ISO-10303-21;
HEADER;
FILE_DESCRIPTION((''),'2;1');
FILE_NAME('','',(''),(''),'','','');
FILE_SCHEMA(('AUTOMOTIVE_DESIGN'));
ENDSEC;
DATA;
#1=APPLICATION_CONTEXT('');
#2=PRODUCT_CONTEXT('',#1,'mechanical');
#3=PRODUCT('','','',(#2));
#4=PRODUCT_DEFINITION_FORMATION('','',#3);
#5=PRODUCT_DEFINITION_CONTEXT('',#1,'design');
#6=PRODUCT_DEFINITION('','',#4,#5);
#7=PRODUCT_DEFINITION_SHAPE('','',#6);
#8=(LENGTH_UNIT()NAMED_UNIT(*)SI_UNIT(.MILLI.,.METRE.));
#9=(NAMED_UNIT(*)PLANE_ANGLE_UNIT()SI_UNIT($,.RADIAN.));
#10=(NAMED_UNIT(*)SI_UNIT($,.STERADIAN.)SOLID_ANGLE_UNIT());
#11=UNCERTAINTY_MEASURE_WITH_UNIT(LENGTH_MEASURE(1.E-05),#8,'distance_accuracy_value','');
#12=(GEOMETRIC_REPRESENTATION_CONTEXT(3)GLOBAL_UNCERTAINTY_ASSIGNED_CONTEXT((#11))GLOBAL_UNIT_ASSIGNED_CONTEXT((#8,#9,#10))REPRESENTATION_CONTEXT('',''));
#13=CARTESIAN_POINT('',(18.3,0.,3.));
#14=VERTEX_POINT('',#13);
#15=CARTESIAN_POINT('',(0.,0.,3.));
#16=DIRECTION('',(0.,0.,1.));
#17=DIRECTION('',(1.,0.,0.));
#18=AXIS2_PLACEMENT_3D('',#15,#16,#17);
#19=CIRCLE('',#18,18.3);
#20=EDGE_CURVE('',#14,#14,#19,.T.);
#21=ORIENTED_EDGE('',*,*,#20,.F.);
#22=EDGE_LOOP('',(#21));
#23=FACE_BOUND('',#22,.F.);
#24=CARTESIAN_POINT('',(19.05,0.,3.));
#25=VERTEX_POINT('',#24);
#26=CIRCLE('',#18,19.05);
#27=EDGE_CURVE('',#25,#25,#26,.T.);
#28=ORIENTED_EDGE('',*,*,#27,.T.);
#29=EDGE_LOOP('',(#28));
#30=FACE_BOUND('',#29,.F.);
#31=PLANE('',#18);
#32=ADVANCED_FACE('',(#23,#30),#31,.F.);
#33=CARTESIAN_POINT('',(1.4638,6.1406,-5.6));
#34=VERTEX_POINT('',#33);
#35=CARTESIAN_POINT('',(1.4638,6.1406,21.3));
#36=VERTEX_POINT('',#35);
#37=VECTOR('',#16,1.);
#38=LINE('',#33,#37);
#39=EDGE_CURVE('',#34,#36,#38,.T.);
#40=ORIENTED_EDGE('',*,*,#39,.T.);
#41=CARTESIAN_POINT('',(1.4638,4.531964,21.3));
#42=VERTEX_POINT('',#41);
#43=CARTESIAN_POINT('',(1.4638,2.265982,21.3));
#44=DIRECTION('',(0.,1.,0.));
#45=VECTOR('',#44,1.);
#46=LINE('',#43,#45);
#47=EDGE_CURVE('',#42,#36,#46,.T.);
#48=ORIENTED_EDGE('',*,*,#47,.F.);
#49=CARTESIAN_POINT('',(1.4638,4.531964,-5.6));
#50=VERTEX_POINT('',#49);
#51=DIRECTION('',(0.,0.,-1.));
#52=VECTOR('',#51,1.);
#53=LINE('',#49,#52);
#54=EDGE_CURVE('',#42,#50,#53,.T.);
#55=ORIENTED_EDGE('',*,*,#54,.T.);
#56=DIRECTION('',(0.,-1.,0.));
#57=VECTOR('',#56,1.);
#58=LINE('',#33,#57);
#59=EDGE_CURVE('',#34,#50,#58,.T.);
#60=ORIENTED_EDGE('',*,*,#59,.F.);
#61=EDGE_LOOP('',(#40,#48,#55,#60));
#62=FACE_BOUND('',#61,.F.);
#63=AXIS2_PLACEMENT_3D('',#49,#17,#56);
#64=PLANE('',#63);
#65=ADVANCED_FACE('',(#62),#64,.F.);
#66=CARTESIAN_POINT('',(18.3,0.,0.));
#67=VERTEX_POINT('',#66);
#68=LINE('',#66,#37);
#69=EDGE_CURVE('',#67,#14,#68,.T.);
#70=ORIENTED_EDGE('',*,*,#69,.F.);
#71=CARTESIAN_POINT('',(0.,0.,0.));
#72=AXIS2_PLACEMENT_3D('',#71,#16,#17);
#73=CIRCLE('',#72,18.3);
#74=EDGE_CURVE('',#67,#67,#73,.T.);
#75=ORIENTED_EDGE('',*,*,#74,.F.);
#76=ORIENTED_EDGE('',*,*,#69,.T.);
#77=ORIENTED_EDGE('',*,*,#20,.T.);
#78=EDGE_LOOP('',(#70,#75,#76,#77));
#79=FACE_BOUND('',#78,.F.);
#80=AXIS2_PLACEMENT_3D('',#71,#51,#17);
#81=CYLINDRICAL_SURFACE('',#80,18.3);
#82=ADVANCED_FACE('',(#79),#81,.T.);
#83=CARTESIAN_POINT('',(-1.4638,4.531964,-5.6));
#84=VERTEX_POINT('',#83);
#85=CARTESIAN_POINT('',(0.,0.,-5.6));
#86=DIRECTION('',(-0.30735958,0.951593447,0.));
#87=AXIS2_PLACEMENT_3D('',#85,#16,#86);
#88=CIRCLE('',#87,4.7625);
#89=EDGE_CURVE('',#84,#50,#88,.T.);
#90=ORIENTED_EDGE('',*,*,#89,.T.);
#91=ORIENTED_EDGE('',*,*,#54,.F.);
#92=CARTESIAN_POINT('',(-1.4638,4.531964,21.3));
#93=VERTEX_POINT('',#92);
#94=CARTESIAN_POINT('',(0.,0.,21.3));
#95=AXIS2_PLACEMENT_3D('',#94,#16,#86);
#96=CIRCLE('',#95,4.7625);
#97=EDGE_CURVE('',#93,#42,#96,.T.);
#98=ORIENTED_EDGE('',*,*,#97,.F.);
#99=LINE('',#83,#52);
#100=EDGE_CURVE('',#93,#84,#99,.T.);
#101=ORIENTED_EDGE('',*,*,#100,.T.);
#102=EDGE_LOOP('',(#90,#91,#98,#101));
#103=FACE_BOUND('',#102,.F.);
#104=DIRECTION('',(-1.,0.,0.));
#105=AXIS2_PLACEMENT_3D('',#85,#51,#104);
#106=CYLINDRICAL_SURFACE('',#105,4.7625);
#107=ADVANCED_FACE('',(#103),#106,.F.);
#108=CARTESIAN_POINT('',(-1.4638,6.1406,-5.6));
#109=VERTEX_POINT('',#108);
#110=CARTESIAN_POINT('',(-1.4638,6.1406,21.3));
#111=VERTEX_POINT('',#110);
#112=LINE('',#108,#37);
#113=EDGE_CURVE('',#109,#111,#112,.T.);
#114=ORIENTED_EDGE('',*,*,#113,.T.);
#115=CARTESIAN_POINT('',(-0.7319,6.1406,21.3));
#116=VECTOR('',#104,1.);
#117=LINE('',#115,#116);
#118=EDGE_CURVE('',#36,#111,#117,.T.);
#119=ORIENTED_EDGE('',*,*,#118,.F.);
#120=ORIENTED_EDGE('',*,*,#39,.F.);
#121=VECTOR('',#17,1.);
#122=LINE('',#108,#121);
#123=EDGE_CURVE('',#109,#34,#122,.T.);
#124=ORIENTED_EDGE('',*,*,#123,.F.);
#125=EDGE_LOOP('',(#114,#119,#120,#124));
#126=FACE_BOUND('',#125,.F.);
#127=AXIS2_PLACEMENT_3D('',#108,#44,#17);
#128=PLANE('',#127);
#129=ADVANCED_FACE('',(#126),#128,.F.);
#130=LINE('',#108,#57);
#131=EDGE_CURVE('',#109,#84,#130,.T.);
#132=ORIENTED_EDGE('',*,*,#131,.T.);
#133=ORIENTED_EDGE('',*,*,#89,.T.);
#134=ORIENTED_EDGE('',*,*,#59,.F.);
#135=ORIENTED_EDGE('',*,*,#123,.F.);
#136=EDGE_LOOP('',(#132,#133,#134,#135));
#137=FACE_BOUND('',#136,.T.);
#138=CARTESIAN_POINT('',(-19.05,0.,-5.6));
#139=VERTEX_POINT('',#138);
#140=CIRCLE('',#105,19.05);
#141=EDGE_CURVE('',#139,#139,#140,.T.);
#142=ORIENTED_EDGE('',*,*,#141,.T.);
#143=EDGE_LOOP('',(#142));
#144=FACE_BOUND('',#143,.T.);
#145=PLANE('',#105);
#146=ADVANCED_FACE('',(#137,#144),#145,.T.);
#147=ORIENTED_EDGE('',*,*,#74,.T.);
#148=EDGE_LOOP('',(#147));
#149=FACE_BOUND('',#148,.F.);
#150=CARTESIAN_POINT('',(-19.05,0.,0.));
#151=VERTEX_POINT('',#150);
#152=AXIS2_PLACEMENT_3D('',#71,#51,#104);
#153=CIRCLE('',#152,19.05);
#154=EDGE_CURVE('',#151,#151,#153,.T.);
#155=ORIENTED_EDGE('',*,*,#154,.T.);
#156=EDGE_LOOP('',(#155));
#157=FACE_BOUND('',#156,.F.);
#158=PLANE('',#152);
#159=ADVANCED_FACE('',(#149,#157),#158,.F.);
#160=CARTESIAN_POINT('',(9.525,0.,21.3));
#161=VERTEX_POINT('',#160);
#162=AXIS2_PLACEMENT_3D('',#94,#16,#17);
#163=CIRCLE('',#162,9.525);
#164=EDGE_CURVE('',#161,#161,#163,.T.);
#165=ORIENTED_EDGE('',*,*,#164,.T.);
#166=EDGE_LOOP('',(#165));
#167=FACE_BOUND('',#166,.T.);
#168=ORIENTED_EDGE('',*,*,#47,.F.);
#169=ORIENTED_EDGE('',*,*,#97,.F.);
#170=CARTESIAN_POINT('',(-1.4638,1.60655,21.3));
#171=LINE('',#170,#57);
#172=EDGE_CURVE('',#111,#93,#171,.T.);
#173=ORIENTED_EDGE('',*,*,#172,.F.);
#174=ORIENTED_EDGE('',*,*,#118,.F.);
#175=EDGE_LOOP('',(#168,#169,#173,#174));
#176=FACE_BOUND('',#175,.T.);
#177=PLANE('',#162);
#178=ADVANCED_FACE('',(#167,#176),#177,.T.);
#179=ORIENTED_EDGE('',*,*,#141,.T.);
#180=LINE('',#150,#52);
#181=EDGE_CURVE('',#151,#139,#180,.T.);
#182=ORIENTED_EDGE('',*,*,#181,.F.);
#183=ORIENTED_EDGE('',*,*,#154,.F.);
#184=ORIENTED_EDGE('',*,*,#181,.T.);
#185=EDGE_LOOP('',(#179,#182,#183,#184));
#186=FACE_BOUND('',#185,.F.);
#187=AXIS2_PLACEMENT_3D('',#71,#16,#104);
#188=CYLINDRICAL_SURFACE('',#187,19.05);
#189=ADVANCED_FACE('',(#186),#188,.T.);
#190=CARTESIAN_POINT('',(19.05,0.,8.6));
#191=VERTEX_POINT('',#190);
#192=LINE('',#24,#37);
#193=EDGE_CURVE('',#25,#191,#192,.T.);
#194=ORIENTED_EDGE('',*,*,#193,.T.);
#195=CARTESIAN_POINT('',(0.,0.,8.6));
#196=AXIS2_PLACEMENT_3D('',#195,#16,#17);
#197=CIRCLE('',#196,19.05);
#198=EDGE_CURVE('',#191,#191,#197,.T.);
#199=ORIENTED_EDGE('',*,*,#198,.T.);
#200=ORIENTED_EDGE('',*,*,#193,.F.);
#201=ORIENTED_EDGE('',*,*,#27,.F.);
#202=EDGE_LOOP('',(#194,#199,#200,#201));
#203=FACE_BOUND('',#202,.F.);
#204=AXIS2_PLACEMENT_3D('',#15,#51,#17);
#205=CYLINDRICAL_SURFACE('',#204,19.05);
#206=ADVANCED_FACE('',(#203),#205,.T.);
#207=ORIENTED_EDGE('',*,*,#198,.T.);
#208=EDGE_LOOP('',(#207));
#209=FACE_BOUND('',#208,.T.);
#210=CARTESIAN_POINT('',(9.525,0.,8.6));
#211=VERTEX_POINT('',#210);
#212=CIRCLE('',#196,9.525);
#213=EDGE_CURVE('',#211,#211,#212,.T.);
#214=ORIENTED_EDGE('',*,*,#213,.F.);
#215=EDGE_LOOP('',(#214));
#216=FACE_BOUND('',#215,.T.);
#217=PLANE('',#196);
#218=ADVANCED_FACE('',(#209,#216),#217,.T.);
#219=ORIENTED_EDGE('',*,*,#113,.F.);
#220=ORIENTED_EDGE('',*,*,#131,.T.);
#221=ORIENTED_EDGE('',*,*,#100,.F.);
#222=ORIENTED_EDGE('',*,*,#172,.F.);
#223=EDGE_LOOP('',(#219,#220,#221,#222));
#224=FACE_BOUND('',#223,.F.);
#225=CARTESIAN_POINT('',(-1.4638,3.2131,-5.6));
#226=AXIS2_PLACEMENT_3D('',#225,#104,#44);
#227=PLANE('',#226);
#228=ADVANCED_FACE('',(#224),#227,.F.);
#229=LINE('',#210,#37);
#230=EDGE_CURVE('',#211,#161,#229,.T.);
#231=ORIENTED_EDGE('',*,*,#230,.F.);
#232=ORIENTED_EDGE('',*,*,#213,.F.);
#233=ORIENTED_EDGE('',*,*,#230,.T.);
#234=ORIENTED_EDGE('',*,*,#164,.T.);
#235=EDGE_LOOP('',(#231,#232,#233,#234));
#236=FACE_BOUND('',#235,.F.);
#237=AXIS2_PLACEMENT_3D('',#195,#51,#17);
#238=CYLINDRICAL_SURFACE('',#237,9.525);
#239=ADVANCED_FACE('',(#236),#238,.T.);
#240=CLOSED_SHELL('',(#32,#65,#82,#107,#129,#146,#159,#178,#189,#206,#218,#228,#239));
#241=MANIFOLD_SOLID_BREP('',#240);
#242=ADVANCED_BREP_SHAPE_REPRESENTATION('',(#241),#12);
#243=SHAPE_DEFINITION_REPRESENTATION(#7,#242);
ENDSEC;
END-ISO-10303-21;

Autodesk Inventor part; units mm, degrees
ref_plane "YZ Plane" through (0, 0, 0) normal (1, 0, 0) x (0, 1, 0)
ref_plane "XZ Plane" through (0, 0, 0) normal (0, 1, 0) x (-1, 0, 0)
ref_plane "XY Plane" through (0, 0, 0) normal (0, 0, 1) x (1, 0, 0)
sketch "Sketch4" plane through (0, 0, 0) normal (0, 0, 1) x (1, 0, 0)
  circle A0 centre (0, 0) radius 18.3
  dimension "d9" = 36.6
extrude "Extrusion4" add sketch "Sketch4" along normal blind 3
sketch "Sketch5" plane through (0, 0, 3) normal (0, 0, 1) x (1, 0, 0)
  circle A0 centre (0, 0) radius 18.3 projected
  circle A1 centre (0, 0) radius 19.05
  dimension "d12" = 38.1
extrude "Extrusion5" add sketch "Sketch5" along normal blind 5.6 contours A0 | A1
sketch "Sketch6" plane through (0, 0, 0) normal (0, 0, -1) x (-1, 0, 0)
  circle A0 centre (0, 0) radius 18.3 projected
  circle A1 centre (0, 0) radius 19.05
  dimension "d15" = 38.1
extrude "Extrusion6" add sketch "Sketch6" along normal blind 5.6 contours A0 | A1
sketch "Sketch7" plane through (0, 0, 8.6) normal (0, 0, 1) x (1, 0, 0)
  circle A0 centre (0, 0) radius 19.05 projected
  circle A1 centre (0, 0) radius 9.525
  dimension "d18" = 19.05
extrude "Extrusion7" add sketch "Sketch7" along normal blind 12.7 contours A1
sketch "Sketch8" plane through (0, 0, -5.6) normal (0, 0, -1) x (-1, 0, 0)
  circle A0 centre (0, 0) radius 19.05 projected
  circle A1 centre (0, 0) radius 4.7625
  dimension "d21" = 9.525
extrude "Extrusion8" cut sketch "Sketch8" against normal blind 38.1 contours A1
sketch "Sketch9" plane through (0, 0, -5.6) normal (0, 0, -1) x (-1, 0, 0)
  circle A0 centre (0, 0) radius 4.7625 projected
  line L0 (-1.4638, 3.2131) -> (1.4638, 3.2131)
  line L1 (1.4638, 3.2131) -> (1.4638, 6.1406)
  line L2 (1.4638, 6.1406) -> (-1.4638, 6.1406)
  line L3 (-1.4638, 6.1406) -> (-1.4638, 3.2131)
  dimension "d24" = 2.9276
  dimension "d25" = 2.9276
  dimension "d26" = 3.2131
  dimension "d27" = 1.4638
extrude "Extrusion9" cut sketch "Sketch9" against normal blind 38.1 contours L1 L0 L3 A0 | A0 L3 L2 L1 picked at (0.165, 3.721)
equation "\"d25\" = d24"
equation "\"d27\" = 0.5 * d25"
properties part number "Puller Wheel"
